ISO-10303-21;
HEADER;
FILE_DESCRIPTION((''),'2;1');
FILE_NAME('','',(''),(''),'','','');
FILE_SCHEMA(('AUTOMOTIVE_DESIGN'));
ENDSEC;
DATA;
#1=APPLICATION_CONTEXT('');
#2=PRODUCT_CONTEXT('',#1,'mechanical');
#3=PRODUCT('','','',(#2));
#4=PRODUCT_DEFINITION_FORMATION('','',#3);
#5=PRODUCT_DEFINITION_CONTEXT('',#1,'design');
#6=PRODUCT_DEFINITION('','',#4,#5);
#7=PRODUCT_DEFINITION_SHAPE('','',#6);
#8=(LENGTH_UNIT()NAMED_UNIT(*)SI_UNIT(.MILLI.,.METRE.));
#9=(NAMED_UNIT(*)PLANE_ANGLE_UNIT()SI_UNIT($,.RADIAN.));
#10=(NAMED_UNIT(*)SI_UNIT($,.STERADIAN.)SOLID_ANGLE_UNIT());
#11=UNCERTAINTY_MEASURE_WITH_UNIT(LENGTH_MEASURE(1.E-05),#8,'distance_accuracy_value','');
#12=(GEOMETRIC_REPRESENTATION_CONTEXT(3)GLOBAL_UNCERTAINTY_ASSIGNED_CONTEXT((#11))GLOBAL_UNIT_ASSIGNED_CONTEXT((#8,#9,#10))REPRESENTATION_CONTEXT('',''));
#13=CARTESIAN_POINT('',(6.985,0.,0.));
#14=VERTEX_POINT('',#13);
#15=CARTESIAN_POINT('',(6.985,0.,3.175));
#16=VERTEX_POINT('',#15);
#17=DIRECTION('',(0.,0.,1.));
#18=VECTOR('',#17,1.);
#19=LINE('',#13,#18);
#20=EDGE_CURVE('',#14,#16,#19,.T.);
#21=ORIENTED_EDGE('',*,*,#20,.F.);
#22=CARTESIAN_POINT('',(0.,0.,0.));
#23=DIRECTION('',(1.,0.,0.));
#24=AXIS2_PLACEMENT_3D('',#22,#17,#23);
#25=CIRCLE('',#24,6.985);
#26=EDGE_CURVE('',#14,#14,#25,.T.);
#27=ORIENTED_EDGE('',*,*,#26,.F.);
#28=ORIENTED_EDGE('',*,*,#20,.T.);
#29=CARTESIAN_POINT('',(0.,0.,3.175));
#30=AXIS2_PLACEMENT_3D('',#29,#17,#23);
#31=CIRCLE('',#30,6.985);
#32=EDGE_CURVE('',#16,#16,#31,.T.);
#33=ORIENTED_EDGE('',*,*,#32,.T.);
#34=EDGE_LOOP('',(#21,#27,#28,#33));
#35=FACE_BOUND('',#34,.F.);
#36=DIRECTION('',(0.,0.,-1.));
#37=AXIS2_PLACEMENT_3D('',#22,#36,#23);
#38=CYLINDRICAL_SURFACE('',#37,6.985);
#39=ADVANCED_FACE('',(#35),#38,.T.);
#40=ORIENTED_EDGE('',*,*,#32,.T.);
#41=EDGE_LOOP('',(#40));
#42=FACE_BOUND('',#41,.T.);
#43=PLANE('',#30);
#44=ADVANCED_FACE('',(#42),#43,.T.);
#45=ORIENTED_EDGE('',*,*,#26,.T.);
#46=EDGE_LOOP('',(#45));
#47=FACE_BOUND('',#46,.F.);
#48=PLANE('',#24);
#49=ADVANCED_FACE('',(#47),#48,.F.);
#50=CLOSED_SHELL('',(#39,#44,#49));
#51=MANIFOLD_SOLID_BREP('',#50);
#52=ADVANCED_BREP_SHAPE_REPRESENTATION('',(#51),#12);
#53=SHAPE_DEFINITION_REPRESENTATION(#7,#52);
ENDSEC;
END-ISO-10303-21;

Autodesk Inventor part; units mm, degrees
ref_plane "YZ Plane" through (0, 0, 0) normal (1, 0, 0) x (0, 1, 0)
ref_plane "XZ Plane" through (0, 0, 0) normal (0, 1, 0) x (-1, 0, 0)
ref_plane "XY Plane" through (0, 0, 0) normal (0, 0, 1) x (1, 0, 0)
sketch "Sketch1" plane through (0, 0, 0) normal (0, 0, 1) x (1, 0, 0)
  circle A0 centre (0, 0) radius 6.985
  dimension "d0" = 13.97
extrude "Extrusion1" add sketch "Sketch1" along normal blind 3.175
properties part number "septum" material "Phenolic Resin"
